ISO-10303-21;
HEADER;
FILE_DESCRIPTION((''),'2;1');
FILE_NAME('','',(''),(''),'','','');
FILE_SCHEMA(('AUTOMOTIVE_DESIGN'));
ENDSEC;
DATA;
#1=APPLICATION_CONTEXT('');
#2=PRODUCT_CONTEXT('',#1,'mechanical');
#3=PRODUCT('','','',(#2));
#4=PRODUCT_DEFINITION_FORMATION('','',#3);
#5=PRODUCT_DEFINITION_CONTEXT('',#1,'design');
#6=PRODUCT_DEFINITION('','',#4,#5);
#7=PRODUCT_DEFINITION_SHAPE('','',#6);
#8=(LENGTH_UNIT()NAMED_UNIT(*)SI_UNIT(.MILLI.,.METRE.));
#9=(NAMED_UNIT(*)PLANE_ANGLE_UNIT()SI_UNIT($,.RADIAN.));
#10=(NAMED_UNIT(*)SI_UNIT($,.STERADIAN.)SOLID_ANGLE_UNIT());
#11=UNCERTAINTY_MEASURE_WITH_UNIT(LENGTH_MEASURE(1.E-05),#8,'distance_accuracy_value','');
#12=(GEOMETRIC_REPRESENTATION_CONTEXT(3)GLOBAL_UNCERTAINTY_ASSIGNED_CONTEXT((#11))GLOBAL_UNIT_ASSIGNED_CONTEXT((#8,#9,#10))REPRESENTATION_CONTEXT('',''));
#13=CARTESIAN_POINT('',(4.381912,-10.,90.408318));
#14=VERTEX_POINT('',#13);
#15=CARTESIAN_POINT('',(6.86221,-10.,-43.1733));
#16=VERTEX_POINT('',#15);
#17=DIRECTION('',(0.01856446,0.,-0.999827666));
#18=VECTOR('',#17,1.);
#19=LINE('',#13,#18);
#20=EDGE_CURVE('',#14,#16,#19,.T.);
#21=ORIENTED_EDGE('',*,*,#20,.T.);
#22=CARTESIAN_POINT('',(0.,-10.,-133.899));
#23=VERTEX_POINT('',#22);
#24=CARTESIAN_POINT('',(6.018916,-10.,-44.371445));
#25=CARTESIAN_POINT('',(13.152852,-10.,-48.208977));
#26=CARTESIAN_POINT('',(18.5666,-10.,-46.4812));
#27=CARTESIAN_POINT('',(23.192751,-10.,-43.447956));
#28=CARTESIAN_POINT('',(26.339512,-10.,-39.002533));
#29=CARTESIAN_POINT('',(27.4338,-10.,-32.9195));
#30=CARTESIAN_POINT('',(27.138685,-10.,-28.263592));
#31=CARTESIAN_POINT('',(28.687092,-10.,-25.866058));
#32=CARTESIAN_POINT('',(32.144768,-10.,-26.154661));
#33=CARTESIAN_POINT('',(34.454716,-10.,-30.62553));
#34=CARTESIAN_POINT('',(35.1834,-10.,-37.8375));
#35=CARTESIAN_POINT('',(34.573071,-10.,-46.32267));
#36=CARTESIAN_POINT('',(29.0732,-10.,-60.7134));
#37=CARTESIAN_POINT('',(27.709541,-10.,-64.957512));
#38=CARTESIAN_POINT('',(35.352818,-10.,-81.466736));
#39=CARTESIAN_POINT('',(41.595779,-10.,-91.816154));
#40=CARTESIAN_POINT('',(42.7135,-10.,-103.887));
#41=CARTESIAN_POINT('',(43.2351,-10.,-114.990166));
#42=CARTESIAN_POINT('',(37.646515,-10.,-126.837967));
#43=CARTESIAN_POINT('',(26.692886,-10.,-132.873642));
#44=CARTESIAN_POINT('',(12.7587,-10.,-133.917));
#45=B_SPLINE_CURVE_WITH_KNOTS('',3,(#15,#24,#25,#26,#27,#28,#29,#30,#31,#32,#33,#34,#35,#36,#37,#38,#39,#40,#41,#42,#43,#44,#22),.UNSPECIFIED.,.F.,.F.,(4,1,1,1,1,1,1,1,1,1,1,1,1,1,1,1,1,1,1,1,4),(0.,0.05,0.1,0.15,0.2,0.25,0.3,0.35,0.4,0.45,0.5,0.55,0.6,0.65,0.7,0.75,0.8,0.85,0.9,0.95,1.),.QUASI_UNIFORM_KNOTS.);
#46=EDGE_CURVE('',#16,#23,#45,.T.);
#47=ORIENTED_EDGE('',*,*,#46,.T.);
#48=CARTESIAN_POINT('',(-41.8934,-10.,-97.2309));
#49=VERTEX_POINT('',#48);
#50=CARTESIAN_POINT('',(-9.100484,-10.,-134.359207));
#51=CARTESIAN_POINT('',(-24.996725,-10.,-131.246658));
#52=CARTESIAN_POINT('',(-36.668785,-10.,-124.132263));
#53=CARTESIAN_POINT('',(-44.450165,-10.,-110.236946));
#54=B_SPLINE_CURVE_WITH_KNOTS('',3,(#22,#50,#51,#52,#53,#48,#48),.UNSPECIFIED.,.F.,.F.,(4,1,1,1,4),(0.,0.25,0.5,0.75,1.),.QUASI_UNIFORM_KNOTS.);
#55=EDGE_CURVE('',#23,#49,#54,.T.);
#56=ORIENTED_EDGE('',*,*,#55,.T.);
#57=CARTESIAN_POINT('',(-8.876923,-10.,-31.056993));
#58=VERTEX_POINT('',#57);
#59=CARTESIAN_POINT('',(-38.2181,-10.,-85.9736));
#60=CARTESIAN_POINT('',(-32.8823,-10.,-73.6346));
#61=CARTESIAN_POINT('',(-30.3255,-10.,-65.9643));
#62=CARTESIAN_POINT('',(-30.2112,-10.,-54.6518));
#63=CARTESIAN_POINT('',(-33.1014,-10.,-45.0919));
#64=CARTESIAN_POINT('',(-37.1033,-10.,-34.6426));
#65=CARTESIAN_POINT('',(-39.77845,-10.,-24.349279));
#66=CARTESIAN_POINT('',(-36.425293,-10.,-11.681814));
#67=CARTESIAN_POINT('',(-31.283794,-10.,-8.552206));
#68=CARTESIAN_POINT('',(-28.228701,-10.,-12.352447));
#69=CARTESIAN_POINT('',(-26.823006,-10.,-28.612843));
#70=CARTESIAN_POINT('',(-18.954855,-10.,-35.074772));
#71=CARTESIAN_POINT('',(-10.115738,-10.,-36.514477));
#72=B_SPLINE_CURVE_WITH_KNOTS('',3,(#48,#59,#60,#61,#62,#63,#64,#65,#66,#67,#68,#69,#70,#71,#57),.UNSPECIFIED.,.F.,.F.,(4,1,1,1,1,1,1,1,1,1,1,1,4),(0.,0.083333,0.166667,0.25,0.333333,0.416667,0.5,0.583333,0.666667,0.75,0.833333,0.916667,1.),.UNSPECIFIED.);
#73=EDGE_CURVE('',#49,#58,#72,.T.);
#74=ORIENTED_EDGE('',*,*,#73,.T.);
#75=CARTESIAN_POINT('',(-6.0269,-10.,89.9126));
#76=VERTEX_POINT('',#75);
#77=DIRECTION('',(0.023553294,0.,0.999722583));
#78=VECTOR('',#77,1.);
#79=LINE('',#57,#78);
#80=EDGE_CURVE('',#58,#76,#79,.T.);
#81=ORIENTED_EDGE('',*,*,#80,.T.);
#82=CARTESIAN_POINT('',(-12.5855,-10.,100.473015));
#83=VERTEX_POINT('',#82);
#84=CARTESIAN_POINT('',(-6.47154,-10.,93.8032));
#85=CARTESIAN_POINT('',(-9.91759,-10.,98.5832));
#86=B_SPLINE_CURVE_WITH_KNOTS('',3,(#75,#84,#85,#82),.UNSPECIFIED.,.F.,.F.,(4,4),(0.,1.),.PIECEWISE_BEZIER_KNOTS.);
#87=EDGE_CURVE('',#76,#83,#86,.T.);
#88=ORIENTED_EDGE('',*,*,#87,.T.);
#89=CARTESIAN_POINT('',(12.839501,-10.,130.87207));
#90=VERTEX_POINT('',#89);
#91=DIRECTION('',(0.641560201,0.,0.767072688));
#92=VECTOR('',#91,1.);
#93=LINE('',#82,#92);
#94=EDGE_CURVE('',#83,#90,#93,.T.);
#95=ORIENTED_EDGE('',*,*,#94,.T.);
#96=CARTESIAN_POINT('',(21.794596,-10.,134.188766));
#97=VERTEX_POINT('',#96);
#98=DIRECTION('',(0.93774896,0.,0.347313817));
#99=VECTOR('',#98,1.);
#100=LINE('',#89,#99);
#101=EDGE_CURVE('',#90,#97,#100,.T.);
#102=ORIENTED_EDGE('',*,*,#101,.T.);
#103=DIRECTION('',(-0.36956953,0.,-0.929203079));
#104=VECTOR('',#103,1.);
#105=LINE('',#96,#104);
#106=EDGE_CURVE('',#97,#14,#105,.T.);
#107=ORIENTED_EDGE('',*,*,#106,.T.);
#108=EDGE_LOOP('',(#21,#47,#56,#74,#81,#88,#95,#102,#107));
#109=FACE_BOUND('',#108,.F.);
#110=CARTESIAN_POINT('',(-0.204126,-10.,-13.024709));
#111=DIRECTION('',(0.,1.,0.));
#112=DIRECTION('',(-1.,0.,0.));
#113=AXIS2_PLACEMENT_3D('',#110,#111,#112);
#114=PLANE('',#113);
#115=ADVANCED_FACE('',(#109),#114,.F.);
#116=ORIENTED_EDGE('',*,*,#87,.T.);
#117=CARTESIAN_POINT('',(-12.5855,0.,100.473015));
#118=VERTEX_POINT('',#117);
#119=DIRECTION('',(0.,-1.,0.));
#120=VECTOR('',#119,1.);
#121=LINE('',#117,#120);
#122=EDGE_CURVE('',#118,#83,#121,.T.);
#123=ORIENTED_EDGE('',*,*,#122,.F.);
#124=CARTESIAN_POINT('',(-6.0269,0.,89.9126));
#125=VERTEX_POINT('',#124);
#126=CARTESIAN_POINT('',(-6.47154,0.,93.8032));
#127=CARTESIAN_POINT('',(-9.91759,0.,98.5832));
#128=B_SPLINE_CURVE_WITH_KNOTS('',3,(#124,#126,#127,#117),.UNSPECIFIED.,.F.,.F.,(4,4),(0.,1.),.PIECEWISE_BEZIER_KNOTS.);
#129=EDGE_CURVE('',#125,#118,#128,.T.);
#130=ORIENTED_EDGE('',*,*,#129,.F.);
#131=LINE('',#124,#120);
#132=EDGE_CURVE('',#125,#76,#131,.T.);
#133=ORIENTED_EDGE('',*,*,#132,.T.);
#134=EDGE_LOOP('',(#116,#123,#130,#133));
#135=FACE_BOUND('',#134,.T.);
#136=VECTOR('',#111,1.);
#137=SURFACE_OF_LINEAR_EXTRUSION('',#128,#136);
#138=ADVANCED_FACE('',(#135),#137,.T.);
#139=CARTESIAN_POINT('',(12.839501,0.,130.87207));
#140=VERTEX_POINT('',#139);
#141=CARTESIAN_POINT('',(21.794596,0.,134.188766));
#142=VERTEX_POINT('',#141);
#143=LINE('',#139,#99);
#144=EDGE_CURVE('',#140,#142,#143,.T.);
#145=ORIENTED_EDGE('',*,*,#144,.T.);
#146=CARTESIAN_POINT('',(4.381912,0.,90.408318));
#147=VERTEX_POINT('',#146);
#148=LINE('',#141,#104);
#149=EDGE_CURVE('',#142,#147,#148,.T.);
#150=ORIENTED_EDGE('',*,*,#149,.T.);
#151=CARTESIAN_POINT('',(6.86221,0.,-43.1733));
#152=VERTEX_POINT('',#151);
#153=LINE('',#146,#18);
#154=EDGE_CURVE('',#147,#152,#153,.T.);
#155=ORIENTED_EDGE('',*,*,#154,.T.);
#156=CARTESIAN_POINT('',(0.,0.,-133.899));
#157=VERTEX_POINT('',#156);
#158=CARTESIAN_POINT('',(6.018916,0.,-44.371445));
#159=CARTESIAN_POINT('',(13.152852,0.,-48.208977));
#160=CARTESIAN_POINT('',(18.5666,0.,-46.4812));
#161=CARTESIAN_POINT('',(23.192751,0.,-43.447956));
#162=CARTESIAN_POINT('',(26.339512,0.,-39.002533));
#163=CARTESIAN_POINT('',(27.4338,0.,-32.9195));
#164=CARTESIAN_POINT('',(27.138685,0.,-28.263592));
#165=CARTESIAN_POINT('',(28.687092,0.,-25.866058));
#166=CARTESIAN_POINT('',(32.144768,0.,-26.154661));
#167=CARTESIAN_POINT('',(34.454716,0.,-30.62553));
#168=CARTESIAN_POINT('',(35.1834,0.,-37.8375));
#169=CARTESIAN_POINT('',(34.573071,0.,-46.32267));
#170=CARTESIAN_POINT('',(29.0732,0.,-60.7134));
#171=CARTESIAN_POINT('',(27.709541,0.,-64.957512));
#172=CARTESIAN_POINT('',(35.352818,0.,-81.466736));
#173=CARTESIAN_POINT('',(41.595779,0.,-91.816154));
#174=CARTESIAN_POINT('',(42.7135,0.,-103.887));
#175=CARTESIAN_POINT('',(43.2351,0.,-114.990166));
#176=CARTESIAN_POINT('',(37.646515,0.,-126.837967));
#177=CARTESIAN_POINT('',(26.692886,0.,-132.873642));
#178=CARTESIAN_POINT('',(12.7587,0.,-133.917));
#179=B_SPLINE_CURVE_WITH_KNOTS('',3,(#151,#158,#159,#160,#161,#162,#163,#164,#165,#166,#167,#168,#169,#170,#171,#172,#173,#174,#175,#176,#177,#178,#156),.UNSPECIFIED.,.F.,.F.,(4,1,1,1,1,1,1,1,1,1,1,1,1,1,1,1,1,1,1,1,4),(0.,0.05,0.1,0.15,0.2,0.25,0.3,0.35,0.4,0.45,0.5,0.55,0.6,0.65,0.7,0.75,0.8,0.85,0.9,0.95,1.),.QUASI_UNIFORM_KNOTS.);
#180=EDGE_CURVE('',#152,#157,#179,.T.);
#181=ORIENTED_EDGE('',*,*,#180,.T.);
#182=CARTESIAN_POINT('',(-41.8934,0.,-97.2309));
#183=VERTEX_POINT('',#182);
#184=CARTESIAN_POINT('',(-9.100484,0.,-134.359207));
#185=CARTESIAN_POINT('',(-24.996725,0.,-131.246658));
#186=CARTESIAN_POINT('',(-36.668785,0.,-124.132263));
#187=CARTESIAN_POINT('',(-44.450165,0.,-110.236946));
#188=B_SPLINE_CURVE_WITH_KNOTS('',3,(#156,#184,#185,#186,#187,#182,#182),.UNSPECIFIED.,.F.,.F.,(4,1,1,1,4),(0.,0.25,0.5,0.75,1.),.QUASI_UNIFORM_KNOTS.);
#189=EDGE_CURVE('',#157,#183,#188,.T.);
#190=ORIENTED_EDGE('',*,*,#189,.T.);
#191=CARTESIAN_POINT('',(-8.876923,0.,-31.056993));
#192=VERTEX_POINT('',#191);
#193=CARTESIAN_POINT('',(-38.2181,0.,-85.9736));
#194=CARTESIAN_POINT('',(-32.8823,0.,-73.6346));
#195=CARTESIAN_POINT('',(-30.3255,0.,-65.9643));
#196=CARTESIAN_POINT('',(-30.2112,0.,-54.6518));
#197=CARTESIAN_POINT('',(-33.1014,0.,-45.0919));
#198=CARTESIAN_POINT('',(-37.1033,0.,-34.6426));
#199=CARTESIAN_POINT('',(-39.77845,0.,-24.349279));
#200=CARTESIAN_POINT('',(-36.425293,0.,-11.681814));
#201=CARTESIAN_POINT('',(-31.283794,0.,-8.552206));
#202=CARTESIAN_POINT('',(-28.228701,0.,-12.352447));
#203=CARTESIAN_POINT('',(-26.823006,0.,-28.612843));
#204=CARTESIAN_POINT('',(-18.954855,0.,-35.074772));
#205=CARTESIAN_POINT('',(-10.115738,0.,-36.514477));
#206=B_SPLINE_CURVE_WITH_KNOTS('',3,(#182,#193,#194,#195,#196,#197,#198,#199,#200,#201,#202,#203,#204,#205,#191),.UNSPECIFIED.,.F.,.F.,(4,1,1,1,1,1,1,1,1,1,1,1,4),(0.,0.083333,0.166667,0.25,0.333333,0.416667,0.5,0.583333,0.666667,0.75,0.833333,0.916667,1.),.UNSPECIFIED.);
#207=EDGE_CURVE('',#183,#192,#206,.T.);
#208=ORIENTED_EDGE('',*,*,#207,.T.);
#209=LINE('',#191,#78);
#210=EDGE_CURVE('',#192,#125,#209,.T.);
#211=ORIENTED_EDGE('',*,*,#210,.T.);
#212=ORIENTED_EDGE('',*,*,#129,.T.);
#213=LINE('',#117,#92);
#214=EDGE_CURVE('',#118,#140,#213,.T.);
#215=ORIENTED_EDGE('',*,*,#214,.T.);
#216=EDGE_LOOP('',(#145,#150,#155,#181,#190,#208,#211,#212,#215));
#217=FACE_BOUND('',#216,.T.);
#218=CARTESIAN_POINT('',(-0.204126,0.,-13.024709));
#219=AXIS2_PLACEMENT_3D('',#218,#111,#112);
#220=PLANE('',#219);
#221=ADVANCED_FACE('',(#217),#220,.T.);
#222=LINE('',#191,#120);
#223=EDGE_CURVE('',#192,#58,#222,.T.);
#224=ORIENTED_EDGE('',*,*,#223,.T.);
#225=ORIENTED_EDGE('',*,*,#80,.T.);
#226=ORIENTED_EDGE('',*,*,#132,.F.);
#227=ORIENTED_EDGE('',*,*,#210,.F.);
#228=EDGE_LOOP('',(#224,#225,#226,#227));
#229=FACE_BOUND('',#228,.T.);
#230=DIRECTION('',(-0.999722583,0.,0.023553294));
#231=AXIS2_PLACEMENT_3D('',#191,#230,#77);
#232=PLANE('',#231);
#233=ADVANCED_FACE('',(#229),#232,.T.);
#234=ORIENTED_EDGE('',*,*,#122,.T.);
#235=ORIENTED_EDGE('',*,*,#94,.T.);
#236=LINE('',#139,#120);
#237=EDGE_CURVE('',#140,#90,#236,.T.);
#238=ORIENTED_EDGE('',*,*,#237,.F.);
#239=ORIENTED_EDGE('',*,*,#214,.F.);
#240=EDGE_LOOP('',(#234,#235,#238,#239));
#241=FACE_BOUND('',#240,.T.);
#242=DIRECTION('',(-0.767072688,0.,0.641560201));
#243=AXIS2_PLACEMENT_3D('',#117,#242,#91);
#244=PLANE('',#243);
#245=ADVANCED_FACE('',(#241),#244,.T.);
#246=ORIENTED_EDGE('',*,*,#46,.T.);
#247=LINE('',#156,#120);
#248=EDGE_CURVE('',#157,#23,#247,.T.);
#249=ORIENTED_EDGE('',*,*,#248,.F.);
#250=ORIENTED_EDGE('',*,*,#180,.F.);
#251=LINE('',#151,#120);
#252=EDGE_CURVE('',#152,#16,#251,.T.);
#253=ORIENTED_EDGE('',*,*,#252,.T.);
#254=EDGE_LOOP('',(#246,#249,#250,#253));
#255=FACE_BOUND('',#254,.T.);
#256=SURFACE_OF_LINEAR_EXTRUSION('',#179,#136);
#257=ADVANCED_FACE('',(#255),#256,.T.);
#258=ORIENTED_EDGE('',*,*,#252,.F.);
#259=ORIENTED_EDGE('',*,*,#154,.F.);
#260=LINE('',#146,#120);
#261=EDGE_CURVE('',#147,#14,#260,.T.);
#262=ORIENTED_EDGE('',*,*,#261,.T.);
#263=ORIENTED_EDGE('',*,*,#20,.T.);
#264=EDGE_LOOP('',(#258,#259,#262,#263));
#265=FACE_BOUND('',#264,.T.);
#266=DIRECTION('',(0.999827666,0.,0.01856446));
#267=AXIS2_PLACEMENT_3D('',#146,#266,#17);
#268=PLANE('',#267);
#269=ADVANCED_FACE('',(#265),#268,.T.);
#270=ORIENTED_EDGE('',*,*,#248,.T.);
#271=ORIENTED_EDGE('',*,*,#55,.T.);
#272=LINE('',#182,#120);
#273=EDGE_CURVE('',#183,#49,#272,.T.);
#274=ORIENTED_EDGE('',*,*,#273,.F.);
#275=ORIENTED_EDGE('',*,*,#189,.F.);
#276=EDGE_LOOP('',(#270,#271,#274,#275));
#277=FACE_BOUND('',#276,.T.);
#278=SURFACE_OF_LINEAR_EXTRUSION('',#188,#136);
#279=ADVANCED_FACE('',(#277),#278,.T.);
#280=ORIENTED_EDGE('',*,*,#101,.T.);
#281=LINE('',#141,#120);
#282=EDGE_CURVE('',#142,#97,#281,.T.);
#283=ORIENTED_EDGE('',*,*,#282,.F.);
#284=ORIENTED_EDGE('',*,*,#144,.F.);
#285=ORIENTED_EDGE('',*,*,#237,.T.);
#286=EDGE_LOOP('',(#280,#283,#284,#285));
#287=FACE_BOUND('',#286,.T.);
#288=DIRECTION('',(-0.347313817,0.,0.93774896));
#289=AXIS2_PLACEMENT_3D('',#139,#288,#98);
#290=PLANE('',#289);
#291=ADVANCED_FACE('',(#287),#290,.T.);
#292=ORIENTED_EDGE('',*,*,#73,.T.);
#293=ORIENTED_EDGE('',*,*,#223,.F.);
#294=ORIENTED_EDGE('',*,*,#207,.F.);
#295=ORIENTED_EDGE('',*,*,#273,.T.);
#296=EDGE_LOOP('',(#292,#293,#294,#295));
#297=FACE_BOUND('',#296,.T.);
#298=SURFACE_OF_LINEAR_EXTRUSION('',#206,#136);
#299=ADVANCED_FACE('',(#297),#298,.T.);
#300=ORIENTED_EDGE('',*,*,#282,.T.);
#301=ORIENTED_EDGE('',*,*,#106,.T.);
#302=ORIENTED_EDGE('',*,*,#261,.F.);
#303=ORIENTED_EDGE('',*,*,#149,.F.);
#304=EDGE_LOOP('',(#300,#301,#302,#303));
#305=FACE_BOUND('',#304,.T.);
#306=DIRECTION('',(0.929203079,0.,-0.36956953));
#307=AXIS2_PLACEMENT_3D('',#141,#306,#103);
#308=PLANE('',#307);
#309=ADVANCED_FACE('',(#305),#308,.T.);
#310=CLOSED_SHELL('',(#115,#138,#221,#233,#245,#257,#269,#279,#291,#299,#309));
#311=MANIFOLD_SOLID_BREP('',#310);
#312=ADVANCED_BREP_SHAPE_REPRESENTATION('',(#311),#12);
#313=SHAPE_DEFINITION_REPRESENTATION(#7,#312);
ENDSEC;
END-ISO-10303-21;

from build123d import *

# Parameters (mm, degrees)
PAD_DEPTH = 10


with BuildPart() as part:
    # Sketch → Pad (new body)
    with BuildSketch(Plane.XZ):
        with BuildLine():
            add(Edge.make_bspline(
                [(0, -133.899), (-9.100484, -134.359207), (-24.996725, -131.246658), (-36.668785, -124.132263), (-44.450165, -110.236946), (-41.8934, -97.2309), (-41.8934, -97.2309)],
                knots=[0, 0, 0, 0, 0.25, 0.5, 0.75, 1, 1, 1, 1], degree=3))
            add(Edge.make_bspline(
                [(-41.8934, -97.2309), (-38.2181, -85.9736), (-32.8823, -73.6346), (-30.3255, -65.9643), (-30.2112, -54.6518), (-33.1014, -45.0919), (-37.1033, -34.6426), (-39.77845, -24.349279), (-36.425293, -11.681814), (-31.283794, -8.552206), (-28.228701, -12.352447), (-26.823006, -28.612843), (-18.954855, -35.074772), (-10.115738, -36.514477), (-8.876923, -31.056993)],
                knots=[0, 0, 0, 0, 0.083333, 0.166667, 0.25, 0.333333, 0.416667, 0.5, 0.583333, 0.666667, 0.75, 0.833333, 0.916667, 1, 1, 1, 1], degree=3))
            Line((-8.876923, -31.056993), (-6.0269, 89.9126))
            add(Edge.make_bspline(
                [(-6.0269, 89.9126), (-6.47154, 93.8032), (-9.91759, 98.5832), (-12.5855, 100.473015)],
                knots=[0, 0, 0, 0, 1, 1, 1, 1], degree=3))
            Line((-12.5855, 100.473015), (12.839501, 130.87207))
            Line((12.839501, 130.87207), (21.794596, 134.188766))
            Line((21.794596, 134.188766), (4.381912, 90.408318))
            Line((4.381912, 90.408318), (6.86221, -43.1733))
            add(Edge.make_bspline(
                [(6.86221, -43.1733), (6.018916, -44.371445), (13.152852, -48.208977), (18.5666, -46.4812), (23.192751, -43.447956), (26.339512, -39.002533), (27.4338, -32.9195), (27.138685, -28.263592), (28.687092, -25.866058), (32.144768, -26.154661), (34.454716, -30.62553), (35.1834, -37.8375), (34.573071, -46.32267), (29.0732, -60.7134), (27.709541, -64.957512), (35.352818, -81.466736), (41.595779, -91.816154), (42.7135, -103.887), (43.2351, -114.990166), (37.646515, -126.837967), (26.692886, -132.873642), (12.7587, -133.917), (0, -133.899)],
                knots=[0, 0, 0, 0, 0.05, 0.1, 0.15, 0.2, 0.25, 0.3, 0.35, 0.4, 0.45, 0.5, 0.55, 0.6, 0.65, 0.7, 0.75, 0.8, 0.85, 0.9, 0.95, 1, 1, 1, 1], degree=3))
        make_face()
    extrude(amount=PAD_DEPTH)


solid = part.part
